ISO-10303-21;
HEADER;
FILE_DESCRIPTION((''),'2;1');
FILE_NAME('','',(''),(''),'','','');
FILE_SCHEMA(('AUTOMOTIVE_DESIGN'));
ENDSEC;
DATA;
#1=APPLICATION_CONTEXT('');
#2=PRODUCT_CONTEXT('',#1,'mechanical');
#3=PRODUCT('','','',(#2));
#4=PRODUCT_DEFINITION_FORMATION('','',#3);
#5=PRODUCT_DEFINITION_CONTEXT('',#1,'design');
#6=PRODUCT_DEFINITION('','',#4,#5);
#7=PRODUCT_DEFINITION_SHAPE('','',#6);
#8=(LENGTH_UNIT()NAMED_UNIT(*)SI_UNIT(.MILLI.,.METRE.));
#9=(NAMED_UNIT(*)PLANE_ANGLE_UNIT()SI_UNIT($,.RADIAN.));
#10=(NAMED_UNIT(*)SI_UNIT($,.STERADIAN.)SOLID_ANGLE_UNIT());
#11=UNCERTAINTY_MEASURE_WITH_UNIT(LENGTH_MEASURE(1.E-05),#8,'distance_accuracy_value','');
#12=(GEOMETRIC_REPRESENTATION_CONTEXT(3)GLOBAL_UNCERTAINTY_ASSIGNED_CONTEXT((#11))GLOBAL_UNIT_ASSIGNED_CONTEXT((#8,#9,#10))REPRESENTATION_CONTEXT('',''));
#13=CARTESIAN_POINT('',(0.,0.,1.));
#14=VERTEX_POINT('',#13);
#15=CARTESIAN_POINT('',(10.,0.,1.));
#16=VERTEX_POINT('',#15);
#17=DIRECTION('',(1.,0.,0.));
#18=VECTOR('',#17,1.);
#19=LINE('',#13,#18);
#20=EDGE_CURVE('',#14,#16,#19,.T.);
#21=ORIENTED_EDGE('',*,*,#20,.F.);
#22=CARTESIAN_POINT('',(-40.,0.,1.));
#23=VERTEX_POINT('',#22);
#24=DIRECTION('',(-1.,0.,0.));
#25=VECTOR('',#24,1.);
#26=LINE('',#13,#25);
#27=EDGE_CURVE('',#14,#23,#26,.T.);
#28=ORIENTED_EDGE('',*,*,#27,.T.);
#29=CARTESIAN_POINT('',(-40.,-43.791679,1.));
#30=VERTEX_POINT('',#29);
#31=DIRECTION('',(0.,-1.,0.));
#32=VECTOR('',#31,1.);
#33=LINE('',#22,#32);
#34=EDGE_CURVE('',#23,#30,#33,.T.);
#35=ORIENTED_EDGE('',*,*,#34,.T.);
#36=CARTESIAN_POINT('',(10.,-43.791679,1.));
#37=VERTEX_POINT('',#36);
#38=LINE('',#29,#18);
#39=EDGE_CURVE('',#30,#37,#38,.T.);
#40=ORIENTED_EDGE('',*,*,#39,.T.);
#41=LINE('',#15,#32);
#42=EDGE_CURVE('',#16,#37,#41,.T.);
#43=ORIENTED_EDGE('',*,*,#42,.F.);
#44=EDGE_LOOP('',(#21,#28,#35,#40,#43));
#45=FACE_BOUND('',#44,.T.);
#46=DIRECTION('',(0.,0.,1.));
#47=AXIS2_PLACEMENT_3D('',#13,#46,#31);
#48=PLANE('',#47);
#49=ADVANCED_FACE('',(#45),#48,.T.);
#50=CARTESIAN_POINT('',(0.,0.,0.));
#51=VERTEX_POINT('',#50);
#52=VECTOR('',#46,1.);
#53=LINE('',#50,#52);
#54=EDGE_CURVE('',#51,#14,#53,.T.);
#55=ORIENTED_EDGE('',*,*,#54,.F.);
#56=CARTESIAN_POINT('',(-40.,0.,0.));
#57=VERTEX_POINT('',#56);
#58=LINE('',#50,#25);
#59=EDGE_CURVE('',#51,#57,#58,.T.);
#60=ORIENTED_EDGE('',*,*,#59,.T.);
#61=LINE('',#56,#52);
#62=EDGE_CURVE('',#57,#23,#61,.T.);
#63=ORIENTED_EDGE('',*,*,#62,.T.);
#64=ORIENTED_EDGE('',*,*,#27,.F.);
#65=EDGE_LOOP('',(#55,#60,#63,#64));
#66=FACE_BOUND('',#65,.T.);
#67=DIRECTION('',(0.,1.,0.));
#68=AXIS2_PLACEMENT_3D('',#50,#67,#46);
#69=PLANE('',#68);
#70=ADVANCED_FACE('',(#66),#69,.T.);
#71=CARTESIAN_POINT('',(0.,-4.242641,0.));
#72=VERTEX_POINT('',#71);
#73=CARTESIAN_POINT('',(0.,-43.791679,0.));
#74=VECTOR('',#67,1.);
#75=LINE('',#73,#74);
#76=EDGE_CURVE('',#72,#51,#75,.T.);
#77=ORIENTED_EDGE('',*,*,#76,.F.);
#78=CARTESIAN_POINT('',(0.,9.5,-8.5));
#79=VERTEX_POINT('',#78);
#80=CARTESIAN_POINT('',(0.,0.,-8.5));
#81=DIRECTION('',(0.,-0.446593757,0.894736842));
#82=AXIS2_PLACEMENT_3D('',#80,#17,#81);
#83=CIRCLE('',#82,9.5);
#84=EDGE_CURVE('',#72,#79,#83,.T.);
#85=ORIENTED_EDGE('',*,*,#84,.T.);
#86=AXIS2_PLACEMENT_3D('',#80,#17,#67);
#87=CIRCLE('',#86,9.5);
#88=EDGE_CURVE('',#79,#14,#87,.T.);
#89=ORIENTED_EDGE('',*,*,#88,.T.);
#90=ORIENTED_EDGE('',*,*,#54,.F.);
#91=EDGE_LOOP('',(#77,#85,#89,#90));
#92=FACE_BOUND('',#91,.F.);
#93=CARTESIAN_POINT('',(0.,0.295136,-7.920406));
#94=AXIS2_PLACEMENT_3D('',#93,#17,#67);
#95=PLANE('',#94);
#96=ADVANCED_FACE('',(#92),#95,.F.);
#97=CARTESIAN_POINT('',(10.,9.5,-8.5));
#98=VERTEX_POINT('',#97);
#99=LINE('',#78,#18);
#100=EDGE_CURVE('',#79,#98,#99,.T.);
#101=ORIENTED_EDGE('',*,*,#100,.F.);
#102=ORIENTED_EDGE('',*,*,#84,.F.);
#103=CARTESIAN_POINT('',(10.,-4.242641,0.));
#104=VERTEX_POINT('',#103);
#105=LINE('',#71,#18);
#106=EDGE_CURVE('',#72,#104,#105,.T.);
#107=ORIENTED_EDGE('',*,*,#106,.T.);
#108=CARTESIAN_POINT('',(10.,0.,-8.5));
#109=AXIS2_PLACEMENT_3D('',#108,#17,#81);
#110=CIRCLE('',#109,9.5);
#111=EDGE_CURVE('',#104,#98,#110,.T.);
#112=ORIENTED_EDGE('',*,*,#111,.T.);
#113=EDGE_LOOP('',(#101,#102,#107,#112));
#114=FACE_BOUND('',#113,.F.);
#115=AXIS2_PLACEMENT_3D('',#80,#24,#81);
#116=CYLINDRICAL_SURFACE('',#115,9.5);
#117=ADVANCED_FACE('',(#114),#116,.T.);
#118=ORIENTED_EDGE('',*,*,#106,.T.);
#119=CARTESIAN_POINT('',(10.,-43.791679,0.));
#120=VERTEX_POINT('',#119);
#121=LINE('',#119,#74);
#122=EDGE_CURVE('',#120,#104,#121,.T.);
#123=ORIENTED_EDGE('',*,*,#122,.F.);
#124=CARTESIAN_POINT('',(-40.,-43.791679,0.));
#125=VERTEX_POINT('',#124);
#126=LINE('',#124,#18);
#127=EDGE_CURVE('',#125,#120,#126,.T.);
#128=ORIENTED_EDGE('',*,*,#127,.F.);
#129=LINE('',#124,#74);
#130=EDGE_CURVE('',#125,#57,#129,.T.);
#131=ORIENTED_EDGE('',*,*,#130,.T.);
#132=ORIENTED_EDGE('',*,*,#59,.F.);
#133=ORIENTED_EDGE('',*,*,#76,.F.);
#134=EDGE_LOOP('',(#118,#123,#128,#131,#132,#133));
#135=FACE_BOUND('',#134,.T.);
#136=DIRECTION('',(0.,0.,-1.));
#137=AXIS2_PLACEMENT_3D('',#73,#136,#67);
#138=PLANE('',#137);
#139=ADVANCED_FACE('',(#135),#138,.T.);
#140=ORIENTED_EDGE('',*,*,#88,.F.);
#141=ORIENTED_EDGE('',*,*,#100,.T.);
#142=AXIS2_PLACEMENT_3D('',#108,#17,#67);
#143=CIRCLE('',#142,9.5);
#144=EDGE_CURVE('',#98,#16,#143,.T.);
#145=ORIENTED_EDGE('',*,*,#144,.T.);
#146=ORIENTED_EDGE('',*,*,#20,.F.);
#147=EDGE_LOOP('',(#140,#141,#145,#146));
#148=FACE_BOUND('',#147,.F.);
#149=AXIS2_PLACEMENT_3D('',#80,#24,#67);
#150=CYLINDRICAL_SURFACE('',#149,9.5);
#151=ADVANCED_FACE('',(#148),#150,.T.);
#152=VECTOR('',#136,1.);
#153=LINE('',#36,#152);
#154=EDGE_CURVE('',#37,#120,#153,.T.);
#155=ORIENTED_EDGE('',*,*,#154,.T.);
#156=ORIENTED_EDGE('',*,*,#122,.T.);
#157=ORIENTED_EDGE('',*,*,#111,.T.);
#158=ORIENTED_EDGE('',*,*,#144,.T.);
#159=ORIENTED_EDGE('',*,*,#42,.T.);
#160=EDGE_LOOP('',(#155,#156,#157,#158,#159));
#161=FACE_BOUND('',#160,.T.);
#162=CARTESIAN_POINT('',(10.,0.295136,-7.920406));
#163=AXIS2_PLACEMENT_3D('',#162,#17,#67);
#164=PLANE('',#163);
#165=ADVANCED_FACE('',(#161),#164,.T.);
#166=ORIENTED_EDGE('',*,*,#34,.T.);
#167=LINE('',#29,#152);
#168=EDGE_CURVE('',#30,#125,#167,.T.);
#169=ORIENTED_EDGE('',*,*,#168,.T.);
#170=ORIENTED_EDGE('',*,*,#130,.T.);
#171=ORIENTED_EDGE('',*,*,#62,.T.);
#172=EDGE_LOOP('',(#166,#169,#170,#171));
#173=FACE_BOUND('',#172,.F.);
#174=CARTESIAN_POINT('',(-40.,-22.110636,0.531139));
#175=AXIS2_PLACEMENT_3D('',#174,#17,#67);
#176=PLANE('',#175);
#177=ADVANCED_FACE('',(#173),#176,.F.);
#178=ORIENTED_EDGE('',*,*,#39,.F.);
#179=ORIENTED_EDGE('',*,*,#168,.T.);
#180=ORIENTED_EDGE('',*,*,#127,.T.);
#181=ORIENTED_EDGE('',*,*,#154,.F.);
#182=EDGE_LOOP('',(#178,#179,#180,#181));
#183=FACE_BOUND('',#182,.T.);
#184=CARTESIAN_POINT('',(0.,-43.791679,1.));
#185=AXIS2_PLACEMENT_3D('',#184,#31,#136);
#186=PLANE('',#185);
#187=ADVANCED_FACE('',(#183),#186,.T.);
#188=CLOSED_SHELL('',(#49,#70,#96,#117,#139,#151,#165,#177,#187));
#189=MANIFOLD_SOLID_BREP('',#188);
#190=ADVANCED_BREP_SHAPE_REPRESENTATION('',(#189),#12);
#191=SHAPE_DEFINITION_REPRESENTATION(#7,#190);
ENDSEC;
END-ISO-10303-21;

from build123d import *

# Parameters (mm, degrees)
F1_DEPTH = 10
F2_DEPTH = 40


with BuildPart() as f1:
    # F0 (on Right) → F1 (new body)
    with BuildSketch(Plane.YZ):
        with BuildLine():
            ThreePointArc((-4.2426406871, 0), (-4.9972449146, -16.5794519161), (9.5, -8.5))
            ThreePointArc((9.5, -8.5), (6.7175144213, -1.7824855787), (0, 1))
            Line((0, 1), (0, 0))
            Line((0, 0), (-4.2426406871, 0))
        make_face()
        with BuildLine():
            Line((0, 0), (0, 1))
            ThreePointArc((0, 1), (-2.1794494718, 0.7466210045), (-4.2426406871, 0))
            Line((-4.2426406871, 0), (0, 0))
        make_face()
        with BuildLine():
            ThreePointArc((-4.2426406871, 0), (-2.1794494718, 0.7466210045), (0, 1))
            Line((0, 1), (-43.7916786625, 1))
            Line((-43.7916786625, 1), (-43.7916786625, 0))
            Line((-43.7916786625, 0), (-4.2426406871, 0))
        make_face()
    extrude(amount=F1_DEPTH)

    # F0 (on Right) → F2 (join)
    with BuildSketch(Plane.YZ):
        with BuildLine():
            ThreePointArc((-4.2426406871, 0), (-2.1794494718, 0.7466210045), (0, 1))
            Line((0, 1), (-43.7916786625, 1))
            Line((-43.7916786625, 1), (-43.7916786625, 0))
            Line((-43.7916786625, 0), (-4.2426406871, 0))
        make_face()
        with BuildLine():
            Line((0, 0), (0, 1))
            ThreePointArc((0, 1), (-2.1794494718, 0.7466210045), (-4.2426406871, 0))
            Line((-4.2426406871, 0), (0, 0))
        make_face()
    extrude(amount=-F2_DEPTH)


solid = f1.part
